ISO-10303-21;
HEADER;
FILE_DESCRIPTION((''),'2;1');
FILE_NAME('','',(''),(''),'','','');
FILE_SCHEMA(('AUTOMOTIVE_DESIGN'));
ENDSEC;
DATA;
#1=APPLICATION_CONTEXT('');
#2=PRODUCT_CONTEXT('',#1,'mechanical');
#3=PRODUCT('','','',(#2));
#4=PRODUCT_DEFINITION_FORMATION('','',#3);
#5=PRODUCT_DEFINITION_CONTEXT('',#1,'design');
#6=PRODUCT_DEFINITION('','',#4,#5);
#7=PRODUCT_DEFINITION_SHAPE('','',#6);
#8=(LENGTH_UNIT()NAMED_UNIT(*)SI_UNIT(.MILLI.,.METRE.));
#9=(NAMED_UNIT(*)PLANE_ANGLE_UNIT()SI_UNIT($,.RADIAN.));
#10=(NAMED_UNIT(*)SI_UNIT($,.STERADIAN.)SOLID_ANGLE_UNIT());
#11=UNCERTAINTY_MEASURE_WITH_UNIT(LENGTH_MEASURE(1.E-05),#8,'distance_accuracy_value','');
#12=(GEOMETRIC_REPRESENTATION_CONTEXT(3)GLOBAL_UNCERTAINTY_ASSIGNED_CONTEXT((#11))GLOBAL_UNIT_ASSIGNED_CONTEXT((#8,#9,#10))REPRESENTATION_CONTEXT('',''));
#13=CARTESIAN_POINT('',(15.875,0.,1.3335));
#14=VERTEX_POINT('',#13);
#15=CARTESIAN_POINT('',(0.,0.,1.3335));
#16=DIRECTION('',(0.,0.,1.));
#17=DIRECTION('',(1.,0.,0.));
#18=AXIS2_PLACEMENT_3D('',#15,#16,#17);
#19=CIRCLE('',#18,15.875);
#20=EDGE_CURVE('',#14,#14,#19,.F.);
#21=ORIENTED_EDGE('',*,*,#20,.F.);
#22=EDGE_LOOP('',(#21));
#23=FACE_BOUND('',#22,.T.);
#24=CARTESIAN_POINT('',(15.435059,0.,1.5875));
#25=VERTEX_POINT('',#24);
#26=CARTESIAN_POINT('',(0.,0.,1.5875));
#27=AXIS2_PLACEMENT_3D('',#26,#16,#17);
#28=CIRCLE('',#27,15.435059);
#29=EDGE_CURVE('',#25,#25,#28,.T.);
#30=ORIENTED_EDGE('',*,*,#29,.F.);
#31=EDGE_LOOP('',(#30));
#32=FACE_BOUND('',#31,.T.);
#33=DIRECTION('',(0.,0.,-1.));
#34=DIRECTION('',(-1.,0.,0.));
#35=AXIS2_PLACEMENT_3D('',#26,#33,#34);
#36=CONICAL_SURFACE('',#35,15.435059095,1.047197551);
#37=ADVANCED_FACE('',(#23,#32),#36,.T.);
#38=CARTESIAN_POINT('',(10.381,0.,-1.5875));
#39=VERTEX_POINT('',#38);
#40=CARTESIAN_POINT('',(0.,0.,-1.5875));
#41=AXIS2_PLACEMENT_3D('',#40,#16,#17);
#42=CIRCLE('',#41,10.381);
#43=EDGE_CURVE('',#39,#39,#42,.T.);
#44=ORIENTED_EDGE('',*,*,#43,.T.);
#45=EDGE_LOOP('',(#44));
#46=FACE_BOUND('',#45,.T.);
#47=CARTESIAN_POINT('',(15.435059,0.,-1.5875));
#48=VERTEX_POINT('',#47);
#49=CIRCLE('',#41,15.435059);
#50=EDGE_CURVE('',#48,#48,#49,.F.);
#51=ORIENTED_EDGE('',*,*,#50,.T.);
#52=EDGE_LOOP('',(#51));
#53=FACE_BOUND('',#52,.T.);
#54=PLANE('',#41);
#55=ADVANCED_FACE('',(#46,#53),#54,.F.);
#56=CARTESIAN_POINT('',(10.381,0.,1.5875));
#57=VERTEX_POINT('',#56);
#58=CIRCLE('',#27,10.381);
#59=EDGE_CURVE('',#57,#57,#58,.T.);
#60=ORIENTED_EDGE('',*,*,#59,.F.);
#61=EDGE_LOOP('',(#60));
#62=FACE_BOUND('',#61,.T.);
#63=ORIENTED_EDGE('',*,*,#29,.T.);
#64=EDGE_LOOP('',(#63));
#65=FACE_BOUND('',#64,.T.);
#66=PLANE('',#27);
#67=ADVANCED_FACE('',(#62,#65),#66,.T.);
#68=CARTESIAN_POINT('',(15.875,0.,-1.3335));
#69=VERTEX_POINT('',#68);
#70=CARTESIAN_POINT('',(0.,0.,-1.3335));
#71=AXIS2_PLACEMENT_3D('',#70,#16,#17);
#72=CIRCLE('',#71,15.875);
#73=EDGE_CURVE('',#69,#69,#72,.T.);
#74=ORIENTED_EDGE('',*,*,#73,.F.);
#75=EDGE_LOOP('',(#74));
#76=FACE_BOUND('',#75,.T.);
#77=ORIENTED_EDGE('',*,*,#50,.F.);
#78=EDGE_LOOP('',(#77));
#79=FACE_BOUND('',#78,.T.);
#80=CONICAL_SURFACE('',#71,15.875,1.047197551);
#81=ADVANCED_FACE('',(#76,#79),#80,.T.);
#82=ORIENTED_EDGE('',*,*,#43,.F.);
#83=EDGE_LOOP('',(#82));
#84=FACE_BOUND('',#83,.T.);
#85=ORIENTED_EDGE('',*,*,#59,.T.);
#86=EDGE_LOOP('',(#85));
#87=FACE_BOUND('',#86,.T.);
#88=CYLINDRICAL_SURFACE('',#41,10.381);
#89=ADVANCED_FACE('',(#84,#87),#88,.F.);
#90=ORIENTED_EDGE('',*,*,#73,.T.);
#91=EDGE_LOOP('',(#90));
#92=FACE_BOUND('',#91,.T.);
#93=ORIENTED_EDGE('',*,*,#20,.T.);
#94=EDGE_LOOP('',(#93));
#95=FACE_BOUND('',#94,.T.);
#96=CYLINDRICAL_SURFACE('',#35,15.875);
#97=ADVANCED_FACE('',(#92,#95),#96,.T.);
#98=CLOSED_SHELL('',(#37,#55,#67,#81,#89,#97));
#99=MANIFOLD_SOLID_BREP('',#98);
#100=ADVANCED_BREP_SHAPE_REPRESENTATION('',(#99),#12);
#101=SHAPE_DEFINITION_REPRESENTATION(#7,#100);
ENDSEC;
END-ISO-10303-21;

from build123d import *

# Parameters (mm, degrees)
SKETCH3_R                = 15.875
SKETCH3_R_2              = 9.5504
BOSS_EXTRUDE1_DEPTH      = 1.5875
BOSS_EXTRUDE1_DEPTH_BACK = 1.5875
CHAMFER1_SIZE            = 0.254
CHAMFER1_SIZE2           = 0.439940905
CHAMFER1_PART_2_SIZE     = 0.254
CHAMFER1_PART_2_SIZE2    = 0.439940905
CHAMFER2_SIZE            = 0.254
CHAMFER2_SIZE2           = 0.495866606
SKETCH5_R                = 10.380999939
CUT_EXTRUDE1_DEPTH       = 4.1750001


with BuildPart() as part:
    # Sketch3 → Boss-Extrude1 (new body, two sides)
    with BuildSketch(Plane.XY) as boss_extrude1_sk:
        Circle(SKETCH3_R)
        Circle(SKETCH3_R_2, mode=Mode.SUBTRACT)
    extrude(amount=BOSS_EXTRUDE1_DEPTH)
    extrude(boss_extrude1_sk.sketch, amount=-BOSS_EXTRUDE1_DEPTH_BACK)

    # Chamfer1
    chamfer1_edges = [part.edges().sort_by_distance(p)[0] for p in [
        (-15.875, 0, 1.5875),
    ]]
    chamfer1_side = [part.faces().sort_by_distance(p)[0] for p in [
        (-15.875, 0, 0.79375),
    ]]
    chamfer(chamfer1_edges, length=CHAMFER1_SIZE, length2=CHAMFER1_SIZE2, reference=chamfer1_side[0])

    # Chamfer1 part 2
    chamfer1_part_2_edges = [part.edges().sort_by_distance(p)[0] for p in [
        (-15.875, 0, -1.5875),
    ]]
    chamfer1_part_2_side = [part.faces().sort_by_distance(p)[0] for p in [
        (-15.875, 0, -0.79375),
    ]]
    chamfer(chamfer1_part_2_edges, length=CHAMFER1_PART_2_SIZE, length2=CHAMFER1_PART_2_SIZE2, reference=chamfer1_part_2_side[0])

    # Sketch4 → Cut-Revolve1 (revolve, cut)
    with BuildSketch(Plane(origin=(0, 0, 0), x_dir=(0, 0, -1), z_dir=(1, 0, 0))):
        with BuildLine():
            Line((-1.5875, 9.4996), (-1.5875, 9.6012))
            ThreePointArc((-1.5875, 9.6012), (0, 9.5504), (1.5875, 9.6012))
            Line((1.5875, 9.6012), (1.5875, 9.4996))
            Line((1.5875, 9.4996), (-1.5875, 9.4996))
        make_face()
    revolve(axis=Axis((0, 0, 1.5875), (0, 0, -1)), mode=Mode.SUBTRACT)

    # Chamfer2
    chamfer2_edges = [part.edges().sort_by_distance(p)[0] for p in [
        (0, -9.6012, -1.5875),
        (0, -9.6012, 1.5875),
    ]]
    chamfer2_side = [part.faces().sort_by_distance(p)[0] for p in [
        (0, -9.5504, 0),
    ]]
    chamfer(chamfer2_edges, length=CHAMFER2_SIZE, length2=CHAMFER2_SIZE2, reference=chamfer2_side[0])

    # Sketch5 → Cut-Extrude1 (cut, through all)
    with BuildSketch(Plane.XY.offset(1.5875)):
        Circle(SKETCH5_R)
    extrude(amount=-CUT_EXTRUDE1_DEPTH, mode=Mode.SUBTRACT)


solid = part.part
